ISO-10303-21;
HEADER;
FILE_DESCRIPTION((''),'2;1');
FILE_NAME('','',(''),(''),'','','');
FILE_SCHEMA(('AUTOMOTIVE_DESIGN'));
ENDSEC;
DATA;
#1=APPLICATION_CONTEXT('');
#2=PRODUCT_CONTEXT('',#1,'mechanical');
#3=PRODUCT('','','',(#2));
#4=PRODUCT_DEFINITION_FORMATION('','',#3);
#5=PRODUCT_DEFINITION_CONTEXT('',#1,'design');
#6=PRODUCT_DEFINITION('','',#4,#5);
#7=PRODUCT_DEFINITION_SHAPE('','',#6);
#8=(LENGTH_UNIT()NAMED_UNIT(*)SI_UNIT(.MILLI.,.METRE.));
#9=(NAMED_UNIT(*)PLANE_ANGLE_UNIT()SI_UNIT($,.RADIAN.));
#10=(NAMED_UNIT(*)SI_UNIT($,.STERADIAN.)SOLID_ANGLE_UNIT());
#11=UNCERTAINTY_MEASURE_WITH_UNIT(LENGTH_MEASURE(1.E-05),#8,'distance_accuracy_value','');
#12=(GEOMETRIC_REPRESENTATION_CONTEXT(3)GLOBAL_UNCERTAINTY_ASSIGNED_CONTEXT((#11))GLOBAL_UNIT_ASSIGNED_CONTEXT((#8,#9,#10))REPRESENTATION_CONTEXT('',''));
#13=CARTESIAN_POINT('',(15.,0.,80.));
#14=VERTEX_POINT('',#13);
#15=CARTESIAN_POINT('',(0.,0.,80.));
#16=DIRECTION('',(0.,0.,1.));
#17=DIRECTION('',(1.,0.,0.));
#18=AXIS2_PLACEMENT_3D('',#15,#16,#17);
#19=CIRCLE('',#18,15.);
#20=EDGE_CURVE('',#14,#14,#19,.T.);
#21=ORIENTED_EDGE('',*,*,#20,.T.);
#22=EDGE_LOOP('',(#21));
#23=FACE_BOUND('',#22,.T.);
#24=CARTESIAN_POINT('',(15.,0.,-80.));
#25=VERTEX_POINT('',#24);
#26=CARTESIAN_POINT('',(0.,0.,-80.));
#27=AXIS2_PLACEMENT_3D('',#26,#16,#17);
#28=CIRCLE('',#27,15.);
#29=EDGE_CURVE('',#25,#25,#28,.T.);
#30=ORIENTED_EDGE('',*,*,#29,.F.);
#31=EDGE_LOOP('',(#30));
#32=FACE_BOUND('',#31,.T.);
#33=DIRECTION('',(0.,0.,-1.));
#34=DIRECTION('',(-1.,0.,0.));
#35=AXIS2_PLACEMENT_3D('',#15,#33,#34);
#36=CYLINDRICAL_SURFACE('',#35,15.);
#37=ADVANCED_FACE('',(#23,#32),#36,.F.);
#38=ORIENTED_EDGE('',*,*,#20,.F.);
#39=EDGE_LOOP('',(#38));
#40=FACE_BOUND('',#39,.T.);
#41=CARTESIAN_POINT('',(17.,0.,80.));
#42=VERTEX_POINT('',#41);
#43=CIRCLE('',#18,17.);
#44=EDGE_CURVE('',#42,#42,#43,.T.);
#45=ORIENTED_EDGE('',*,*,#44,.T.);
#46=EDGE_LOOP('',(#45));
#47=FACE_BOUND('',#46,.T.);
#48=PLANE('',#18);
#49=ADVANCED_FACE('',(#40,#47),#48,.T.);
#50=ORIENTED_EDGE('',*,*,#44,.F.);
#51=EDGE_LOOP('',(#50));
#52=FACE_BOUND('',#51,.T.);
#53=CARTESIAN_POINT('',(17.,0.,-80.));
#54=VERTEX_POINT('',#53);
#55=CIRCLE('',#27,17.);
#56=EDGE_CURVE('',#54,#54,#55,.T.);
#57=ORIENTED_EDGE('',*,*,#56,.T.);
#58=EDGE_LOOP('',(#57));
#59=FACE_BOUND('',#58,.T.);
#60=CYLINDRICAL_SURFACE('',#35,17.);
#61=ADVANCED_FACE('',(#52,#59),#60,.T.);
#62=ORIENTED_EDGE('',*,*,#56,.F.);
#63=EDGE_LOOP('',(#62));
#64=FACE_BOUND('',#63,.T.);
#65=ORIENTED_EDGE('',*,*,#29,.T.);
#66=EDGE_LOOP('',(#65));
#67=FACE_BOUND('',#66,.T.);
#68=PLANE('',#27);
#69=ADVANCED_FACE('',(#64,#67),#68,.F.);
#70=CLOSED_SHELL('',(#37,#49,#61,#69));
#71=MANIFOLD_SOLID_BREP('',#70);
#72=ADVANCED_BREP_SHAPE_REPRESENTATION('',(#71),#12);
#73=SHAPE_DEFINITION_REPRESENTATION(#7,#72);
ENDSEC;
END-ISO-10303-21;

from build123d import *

# Parameters (mm, degrees)
SKETCH1_R           = 17
SKETCH1_R_2         = 15
BOSS_EXTRUDE1_DEPTH = 80


with BuildPart() as part:
    # Sketch1 → Boss-Extrude1 (new, symmetric)
    with BuildSketch(Plane.XY):
        Circle(SKETCH1_R)
        Circle(SKETCH1_R_2, mode=Mode.SUBTRACT)
    extrude(amount=BOSS_EXTRUDE1_DEPTH, both=True)


solid = part.part
